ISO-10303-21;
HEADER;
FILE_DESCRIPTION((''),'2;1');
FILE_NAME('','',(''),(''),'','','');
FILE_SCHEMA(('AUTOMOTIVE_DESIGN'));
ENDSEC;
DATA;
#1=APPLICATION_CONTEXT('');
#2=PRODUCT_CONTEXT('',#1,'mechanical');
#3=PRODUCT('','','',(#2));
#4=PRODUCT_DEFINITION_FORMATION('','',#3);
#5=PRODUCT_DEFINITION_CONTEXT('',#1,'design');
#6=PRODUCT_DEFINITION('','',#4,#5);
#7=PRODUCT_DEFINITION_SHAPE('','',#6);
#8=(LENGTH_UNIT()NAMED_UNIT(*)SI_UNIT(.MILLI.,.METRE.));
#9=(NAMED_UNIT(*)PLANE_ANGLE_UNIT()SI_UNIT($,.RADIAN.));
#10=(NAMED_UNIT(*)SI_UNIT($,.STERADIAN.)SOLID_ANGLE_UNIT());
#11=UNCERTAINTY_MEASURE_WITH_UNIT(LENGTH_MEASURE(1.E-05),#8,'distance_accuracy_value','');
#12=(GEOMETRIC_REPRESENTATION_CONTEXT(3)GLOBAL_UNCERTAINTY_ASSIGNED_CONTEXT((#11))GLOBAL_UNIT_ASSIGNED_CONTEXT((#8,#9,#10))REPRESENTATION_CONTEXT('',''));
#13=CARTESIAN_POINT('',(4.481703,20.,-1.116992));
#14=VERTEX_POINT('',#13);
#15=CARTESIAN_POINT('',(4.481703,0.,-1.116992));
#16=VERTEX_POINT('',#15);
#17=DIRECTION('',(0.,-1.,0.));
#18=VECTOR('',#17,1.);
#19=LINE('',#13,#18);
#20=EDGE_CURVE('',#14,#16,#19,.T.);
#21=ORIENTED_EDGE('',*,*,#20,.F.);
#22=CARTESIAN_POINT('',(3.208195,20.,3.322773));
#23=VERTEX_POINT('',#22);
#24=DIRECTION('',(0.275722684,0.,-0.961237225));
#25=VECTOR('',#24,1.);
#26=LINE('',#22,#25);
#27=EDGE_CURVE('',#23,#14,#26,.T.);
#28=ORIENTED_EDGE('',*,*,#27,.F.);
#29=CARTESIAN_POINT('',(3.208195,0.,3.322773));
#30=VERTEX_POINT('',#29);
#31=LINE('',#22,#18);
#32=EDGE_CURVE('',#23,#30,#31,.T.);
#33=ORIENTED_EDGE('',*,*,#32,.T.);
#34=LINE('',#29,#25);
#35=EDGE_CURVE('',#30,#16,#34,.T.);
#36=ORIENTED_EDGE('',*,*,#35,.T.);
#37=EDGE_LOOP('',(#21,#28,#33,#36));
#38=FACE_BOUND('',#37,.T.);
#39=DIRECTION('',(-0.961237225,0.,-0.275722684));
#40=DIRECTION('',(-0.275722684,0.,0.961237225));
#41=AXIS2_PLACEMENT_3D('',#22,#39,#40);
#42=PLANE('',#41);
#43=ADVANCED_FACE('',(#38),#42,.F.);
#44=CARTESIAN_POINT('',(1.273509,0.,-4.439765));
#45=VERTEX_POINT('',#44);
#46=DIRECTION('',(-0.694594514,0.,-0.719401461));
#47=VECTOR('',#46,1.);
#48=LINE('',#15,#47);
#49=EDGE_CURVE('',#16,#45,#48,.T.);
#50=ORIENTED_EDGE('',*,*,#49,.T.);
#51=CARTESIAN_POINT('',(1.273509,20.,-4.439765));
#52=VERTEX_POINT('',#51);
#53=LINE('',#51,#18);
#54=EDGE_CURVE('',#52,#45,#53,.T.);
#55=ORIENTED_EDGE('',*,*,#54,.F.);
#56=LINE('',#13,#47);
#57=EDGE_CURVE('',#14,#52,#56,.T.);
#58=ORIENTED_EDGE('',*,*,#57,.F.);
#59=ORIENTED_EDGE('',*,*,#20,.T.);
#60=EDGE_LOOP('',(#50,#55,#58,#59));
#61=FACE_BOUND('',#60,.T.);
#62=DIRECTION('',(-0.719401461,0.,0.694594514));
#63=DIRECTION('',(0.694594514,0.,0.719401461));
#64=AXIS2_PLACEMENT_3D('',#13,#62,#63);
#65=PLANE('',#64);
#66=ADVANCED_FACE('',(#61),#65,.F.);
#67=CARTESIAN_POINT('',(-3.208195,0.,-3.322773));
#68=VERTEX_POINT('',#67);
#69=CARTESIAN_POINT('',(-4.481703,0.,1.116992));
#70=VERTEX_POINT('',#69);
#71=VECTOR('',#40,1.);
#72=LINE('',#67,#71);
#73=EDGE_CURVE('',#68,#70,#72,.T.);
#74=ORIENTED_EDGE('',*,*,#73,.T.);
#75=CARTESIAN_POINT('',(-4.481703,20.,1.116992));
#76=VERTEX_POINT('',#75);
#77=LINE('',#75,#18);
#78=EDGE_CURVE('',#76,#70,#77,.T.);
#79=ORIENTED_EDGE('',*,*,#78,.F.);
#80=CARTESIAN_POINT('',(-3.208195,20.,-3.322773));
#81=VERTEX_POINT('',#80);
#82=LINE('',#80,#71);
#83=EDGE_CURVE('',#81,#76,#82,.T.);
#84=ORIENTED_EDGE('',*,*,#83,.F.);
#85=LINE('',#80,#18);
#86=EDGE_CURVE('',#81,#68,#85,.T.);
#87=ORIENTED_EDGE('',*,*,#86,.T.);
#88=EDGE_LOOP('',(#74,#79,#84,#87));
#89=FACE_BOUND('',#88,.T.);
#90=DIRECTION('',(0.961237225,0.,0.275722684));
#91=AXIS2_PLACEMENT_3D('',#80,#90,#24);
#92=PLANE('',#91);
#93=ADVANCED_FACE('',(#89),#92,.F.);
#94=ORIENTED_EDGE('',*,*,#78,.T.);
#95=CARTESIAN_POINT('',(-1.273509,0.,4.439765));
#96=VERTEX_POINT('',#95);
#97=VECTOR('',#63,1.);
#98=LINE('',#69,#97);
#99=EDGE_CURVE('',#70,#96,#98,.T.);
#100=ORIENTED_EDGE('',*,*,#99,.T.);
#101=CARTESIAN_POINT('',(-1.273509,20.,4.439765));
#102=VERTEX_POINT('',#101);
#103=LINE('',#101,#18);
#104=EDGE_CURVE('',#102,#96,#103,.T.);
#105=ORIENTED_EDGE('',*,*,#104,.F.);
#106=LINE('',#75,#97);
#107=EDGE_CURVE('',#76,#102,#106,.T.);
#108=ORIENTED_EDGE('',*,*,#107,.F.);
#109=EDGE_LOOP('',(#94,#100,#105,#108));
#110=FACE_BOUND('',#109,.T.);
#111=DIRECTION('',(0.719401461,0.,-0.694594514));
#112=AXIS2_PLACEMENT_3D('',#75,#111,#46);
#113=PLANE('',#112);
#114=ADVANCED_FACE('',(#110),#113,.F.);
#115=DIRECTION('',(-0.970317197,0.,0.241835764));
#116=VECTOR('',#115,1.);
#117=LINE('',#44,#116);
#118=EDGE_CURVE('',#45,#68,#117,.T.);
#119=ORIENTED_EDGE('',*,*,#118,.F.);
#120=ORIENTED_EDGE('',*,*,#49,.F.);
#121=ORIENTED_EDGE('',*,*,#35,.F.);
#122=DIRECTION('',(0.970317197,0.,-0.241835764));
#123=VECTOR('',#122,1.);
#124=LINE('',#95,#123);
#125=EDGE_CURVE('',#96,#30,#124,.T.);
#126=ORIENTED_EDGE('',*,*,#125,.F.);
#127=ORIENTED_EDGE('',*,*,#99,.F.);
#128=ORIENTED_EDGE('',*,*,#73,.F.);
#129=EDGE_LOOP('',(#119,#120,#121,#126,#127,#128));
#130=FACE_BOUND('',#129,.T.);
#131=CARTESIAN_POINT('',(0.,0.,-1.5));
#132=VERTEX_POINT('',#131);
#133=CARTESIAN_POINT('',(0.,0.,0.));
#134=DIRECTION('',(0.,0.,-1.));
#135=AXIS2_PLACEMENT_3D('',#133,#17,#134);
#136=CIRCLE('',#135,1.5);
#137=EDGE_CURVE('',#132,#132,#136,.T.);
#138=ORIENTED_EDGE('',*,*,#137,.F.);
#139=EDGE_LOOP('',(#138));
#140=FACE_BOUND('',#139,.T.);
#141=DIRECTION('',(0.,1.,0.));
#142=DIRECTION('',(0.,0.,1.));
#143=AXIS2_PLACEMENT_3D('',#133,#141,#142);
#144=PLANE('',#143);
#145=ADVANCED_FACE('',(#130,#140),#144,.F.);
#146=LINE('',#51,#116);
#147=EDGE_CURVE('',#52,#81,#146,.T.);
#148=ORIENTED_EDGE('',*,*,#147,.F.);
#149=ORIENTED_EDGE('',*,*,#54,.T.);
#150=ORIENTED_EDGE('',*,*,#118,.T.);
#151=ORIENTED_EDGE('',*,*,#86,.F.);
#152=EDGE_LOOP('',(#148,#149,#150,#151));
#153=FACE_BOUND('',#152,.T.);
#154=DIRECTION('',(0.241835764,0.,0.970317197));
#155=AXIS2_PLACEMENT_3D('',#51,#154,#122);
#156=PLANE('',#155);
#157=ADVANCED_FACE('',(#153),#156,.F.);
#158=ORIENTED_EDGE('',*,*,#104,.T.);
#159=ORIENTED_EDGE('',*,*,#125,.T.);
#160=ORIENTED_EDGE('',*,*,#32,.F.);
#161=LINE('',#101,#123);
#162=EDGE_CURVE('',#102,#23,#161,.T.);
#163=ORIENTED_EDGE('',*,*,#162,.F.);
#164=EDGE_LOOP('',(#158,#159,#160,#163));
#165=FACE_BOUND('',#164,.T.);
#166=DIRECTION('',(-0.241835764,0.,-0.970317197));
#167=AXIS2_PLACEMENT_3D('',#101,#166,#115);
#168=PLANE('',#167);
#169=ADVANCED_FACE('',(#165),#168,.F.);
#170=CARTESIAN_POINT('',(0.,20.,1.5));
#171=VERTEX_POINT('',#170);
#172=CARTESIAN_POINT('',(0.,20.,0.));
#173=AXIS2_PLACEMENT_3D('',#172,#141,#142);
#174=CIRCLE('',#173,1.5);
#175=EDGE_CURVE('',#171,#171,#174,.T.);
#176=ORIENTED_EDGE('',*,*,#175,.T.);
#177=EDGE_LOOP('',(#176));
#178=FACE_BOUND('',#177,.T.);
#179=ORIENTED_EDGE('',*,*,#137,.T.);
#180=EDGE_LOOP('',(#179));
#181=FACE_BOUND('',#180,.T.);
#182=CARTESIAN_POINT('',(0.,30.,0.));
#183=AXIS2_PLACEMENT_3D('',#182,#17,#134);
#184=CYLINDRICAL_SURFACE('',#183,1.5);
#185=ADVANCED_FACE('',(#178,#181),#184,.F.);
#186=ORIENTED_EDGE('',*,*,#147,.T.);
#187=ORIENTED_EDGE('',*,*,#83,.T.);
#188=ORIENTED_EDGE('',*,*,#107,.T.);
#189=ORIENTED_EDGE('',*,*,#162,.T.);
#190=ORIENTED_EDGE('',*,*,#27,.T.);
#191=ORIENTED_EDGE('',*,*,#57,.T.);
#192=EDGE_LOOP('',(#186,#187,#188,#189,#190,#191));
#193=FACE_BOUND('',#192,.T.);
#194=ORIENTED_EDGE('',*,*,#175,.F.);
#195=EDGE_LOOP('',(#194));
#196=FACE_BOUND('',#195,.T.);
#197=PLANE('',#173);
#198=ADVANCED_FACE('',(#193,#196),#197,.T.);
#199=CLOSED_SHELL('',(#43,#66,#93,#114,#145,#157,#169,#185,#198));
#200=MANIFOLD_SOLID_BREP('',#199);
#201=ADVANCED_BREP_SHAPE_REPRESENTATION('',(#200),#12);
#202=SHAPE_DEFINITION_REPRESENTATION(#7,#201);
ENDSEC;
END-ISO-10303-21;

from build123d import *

# Parameters (mm, degrees)
RESSALTO_EXTRUS_O1_DEPTH = 20
ESBO_O2_R                = 1.5
CORTE_EXTRUS_O1_DEPTH    = 30


with BuildPart() as part:
    # Esboço1 → Ressalto-extrusão1 (new body)
    with BuildSketch(Plane(origin=(0, 0, 0), x_dir=(1, 0, 0), z_dir=(0, 1, 0))):
        Polygon((3.208194636, -3.322773016), (4.48170316, 1.116991547), (1.273508525, 4.439764563), (-3.208194636, 3.322773016), (-4.48170316, -1.116991547), (-1.273508525, -4.439764563), align=None)
    extrude(amount=RESSALTO_EXTRUS_O1_DEPTH)

    # Esboço2 → Corte-extrusão1 (cut)
    with BuildSketch(Plane.XZ):
        with Locations(Location((0, 0, 0), (0, 0, 270))):
            Circle(ESBO_O2_R)
    extrude(amount=-CORTE_EXTRUS_O1_DEPTH, mode=Mode.SUBTRACT)


solid = part.part
